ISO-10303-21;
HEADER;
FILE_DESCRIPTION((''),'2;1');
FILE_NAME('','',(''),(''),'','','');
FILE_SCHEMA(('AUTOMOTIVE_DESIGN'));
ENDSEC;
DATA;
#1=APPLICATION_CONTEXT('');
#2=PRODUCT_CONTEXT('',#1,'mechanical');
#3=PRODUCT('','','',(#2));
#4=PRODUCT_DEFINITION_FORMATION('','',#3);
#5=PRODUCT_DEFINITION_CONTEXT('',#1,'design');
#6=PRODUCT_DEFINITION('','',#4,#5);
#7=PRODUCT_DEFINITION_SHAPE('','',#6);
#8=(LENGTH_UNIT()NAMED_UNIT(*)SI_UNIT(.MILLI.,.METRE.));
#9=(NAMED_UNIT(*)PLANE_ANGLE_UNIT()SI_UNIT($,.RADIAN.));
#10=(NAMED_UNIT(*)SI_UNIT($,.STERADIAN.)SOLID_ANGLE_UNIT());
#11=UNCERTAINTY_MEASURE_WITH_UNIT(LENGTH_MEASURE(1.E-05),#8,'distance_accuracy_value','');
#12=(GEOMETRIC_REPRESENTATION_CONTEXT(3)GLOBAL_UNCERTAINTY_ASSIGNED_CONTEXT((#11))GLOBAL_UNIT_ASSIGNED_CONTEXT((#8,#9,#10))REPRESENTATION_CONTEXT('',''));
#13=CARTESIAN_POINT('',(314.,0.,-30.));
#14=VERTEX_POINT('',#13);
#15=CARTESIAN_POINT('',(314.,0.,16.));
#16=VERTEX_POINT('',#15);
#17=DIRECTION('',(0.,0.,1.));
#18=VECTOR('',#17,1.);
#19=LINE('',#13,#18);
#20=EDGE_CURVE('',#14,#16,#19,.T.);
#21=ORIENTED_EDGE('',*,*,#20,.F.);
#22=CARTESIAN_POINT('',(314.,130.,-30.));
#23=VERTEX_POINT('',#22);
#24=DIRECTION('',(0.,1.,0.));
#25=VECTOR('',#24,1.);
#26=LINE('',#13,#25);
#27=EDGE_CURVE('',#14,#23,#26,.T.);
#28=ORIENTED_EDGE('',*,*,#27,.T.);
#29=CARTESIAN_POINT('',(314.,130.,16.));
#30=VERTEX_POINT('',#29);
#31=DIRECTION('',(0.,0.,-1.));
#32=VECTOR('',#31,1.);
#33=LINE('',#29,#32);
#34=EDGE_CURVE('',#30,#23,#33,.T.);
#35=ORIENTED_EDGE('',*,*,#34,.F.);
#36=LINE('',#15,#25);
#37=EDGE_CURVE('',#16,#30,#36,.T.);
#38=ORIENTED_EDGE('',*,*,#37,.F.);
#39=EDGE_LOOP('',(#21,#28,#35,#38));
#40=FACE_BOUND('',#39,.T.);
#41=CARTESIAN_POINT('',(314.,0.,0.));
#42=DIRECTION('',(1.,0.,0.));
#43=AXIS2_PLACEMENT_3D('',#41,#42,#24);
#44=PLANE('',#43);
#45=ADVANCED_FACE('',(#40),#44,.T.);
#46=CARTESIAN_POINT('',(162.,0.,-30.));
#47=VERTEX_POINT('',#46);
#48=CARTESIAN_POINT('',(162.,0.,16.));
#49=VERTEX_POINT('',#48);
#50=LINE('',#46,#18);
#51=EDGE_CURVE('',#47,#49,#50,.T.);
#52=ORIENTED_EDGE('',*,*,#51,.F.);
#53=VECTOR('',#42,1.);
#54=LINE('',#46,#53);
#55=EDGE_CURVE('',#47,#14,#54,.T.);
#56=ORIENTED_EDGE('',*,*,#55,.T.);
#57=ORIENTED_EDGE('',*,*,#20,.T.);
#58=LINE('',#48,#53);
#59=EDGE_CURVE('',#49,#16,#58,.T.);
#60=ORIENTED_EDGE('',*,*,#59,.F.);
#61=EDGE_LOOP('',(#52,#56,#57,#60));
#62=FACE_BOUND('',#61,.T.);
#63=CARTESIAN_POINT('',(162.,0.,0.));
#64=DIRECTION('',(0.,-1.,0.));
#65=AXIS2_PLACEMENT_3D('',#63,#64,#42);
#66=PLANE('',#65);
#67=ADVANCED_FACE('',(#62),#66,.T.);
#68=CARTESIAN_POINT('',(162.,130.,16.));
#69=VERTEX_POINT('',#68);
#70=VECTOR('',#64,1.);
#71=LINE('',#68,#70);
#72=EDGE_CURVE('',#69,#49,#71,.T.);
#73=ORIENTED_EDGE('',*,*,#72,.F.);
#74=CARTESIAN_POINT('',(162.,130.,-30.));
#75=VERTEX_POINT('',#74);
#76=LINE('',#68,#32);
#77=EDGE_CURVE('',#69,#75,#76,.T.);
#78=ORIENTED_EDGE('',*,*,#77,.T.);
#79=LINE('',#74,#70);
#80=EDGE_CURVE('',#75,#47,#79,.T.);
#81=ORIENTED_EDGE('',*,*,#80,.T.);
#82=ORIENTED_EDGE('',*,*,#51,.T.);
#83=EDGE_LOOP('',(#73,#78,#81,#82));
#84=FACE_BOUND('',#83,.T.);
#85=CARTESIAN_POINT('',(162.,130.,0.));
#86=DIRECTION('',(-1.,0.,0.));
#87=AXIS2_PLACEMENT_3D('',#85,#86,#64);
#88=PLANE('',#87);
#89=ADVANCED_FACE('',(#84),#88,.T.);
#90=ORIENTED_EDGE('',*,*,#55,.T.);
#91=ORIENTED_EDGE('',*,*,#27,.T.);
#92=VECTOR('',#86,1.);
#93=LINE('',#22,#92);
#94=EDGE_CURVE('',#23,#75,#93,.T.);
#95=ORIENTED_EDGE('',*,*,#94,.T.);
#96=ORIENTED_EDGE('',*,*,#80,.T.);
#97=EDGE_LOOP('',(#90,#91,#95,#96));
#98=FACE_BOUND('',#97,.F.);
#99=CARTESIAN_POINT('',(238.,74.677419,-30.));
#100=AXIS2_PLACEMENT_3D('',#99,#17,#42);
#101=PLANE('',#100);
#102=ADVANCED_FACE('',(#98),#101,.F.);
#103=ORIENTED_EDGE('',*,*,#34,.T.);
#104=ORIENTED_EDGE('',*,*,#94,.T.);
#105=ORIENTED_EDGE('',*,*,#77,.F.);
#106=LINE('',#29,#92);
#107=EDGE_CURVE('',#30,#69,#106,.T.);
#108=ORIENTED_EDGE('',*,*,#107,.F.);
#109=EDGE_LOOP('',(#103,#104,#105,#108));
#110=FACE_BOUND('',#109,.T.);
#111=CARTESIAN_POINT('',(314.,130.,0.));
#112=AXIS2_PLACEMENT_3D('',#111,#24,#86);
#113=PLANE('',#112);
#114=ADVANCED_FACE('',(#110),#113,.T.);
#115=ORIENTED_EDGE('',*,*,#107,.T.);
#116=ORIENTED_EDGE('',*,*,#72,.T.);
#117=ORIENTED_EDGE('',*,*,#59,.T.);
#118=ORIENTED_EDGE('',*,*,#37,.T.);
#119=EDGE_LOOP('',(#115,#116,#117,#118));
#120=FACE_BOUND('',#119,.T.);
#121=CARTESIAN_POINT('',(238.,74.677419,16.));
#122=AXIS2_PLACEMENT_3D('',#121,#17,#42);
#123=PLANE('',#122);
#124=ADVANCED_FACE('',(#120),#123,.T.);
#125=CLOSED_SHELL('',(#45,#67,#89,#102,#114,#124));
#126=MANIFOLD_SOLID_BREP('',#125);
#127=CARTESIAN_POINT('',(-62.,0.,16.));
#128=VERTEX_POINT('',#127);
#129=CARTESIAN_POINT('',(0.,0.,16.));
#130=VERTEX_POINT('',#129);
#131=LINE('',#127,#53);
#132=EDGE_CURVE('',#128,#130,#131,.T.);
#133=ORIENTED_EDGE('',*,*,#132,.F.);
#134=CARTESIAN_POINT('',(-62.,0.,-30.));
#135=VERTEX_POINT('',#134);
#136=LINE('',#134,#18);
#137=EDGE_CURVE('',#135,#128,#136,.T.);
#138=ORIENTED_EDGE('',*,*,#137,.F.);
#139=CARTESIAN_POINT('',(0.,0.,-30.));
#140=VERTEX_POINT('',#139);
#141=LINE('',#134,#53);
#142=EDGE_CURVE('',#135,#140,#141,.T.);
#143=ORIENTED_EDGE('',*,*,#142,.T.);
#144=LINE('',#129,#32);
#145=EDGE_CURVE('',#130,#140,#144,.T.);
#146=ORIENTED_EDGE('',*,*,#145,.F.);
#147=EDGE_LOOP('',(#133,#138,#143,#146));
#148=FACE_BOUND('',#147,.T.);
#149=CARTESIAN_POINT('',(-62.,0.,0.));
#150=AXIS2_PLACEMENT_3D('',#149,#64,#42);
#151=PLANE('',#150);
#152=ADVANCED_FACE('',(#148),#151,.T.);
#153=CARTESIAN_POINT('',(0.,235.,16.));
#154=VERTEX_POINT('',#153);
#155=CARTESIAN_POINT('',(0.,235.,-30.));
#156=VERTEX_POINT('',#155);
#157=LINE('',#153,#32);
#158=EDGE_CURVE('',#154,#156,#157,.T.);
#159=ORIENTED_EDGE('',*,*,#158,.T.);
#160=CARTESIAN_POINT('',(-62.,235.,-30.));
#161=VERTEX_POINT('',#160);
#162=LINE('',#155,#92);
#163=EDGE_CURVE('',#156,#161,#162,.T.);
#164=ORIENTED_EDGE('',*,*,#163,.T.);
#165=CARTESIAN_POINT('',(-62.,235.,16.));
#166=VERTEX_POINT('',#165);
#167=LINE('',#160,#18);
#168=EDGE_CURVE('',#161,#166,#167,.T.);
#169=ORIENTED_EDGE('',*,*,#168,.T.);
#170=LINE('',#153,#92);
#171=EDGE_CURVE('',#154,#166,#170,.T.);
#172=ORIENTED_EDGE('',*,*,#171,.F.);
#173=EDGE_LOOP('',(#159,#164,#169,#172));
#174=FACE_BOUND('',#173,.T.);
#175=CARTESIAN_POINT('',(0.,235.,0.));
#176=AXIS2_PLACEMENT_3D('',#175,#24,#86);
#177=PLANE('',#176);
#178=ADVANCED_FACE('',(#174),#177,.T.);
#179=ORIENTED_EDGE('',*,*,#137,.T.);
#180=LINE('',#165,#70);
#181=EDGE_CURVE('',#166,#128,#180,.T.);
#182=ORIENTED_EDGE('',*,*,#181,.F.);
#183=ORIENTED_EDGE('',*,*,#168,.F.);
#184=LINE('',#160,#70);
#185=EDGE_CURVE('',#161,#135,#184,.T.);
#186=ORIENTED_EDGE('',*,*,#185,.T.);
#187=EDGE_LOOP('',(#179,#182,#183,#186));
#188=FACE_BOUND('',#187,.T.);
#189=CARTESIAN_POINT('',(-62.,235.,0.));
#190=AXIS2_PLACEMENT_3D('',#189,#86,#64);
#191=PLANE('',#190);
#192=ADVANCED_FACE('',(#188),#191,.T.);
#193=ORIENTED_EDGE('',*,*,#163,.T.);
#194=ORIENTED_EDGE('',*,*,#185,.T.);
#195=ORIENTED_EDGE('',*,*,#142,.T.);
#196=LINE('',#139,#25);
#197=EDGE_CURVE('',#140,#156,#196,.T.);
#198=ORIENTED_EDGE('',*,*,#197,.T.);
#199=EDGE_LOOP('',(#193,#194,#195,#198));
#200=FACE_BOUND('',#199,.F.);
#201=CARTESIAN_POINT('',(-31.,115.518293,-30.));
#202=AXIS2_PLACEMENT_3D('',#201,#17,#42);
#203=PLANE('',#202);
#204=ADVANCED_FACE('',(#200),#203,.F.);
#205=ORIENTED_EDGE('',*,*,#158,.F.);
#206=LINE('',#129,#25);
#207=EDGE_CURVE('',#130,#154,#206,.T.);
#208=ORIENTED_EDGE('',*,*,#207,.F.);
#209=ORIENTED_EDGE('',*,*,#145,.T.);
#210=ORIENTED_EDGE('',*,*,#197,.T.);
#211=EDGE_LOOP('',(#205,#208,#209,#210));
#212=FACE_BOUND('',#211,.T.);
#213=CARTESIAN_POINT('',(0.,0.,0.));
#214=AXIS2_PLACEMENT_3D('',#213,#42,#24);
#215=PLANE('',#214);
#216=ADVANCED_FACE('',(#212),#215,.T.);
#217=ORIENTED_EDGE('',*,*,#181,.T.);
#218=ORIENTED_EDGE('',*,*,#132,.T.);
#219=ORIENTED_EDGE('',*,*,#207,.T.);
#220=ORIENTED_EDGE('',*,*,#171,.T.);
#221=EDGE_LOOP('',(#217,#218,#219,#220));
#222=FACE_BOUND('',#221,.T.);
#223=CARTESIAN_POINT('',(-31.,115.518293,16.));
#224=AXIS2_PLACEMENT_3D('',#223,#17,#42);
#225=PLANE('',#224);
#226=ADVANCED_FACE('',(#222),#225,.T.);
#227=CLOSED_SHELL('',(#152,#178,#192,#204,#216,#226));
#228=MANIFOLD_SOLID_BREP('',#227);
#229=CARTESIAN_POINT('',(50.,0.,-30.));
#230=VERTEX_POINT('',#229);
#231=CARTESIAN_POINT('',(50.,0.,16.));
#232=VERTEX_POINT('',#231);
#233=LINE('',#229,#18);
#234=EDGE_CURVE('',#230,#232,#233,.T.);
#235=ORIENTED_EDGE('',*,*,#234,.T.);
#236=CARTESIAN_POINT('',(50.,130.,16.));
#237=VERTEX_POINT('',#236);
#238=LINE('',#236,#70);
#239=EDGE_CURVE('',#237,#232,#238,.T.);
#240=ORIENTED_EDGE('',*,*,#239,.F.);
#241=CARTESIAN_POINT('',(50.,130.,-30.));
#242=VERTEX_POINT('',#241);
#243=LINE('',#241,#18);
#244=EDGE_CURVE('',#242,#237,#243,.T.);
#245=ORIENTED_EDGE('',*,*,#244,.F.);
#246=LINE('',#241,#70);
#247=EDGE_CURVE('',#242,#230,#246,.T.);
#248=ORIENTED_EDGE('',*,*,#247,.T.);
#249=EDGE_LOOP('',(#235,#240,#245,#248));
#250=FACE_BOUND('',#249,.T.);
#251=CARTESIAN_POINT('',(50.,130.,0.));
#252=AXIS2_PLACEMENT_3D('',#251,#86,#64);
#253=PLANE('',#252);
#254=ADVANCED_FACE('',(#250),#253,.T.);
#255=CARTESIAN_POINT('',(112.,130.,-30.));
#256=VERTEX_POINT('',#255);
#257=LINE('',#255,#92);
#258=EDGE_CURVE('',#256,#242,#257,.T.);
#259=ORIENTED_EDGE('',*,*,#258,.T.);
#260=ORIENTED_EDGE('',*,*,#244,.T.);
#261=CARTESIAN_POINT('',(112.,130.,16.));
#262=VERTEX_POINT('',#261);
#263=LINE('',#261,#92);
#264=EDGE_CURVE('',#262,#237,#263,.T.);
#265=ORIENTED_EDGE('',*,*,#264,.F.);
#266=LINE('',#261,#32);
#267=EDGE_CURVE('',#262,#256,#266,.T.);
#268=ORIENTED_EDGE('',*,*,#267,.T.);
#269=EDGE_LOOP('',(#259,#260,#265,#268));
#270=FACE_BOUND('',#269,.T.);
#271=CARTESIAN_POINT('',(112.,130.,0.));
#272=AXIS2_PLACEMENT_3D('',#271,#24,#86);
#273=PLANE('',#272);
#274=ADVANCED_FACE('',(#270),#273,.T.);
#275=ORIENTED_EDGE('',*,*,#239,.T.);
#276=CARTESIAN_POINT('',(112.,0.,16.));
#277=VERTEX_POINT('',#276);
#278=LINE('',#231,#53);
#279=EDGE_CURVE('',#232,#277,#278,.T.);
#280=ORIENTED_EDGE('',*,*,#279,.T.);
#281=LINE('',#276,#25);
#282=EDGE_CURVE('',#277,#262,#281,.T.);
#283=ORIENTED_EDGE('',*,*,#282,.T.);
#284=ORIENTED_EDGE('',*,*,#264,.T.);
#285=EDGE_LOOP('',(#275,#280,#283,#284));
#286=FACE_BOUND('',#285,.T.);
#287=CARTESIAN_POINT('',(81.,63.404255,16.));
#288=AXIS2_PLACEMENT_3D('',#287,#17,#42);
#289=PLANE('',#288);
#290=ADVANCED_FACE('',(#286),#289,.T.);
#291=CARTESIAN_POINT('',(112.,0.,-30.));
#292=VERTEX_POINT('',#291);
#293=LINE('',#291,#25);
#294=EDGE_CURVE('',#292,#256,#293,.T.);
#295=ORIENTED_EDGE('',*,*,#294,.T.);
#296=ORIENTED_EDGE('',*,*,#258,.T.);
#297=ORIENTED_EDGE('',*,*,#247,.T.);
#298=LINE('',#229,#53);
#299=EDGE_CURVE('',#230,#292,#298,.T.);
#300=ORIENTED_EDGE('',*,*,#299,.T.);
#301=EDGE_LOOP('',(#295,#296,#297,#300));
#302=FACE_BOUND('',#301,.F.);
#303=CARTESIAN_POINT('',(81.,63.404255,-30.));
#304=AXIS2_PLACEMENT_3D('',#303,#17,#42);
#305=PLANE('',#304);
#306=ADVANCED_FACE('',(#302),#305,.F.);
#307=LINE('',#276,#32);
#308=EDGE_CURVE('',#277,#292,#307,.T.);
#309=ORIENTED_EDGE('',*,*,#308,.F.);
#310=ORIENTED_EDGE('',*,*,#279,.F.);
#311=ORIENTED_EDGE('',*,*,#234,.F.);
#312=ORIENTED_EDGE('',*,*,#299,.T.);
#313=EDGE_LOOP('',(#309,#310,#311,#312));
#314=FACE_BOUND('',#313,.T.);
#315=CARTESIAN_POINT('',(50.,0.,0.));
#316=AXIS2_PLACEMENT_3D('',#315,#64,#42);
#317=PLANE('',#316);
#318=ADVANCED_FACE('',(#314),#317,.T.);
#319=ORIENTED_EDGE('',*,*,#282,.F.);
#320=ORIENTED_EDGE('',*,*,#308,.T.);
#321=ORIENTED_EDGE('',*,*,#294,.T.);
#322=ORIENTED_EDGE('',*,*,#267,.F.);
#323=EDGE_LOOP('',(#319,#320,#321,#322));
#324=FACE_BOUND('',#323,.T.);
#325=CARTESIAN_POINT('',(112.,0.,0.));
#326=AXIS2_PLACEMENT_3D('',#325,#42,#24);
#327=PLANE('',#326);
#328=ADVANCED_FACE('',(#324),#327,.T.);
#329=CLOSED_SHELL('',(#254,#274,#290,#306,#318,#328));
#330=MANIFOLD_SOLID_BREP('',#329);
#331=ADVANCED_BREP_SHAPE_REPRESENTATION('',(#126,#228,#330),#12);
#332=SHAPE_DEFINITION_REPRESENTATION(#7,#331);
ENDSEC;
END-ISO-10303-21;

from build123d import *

# Parameters (mm, degrees)
F0_W          = 30
F0_H          = 195
F0_H_2        = 90
F0_W_2        = 120
F1_DEPTH      = 16
F1_DEPTH_BACK = 30


with BuildPart() as f1:
    # F0 (on Top) → F1 (new body, two sides)
    with BuildSketch(Plane.XY) as f1_sk:
        Polygon((0, 235), (-62, 235), (-62, 0), (-46, 0), (-46, 195), (-16, 195), (-16, 0), (0, 0), align=None)
        with Locations((-31, 97.5)):
            Rectangle(F0_W, F0_H)
        Polygon((112, 130), (50, 130), (50, 0), (66, 0), (66, 90), (96, 90), (96, 0), (112, 0), align=None)
        with Locations((81, 45)):
            Rectangle(F0_W, F0_H_2)
        Polygon((162, 130), (162, 0), (178, 0), (178, 90), (298, 90), (298, 0), (314, 0), (314, 130), align=None)
        with Locations((238, 45)):
            Rectangle(F0_W_2, F0_H_2)
    extrude(amount=F1_DEPTH)
    extrude(f1_sk.sketch, amount=-F1_DEPTH_BACK)


solid = f1.part
